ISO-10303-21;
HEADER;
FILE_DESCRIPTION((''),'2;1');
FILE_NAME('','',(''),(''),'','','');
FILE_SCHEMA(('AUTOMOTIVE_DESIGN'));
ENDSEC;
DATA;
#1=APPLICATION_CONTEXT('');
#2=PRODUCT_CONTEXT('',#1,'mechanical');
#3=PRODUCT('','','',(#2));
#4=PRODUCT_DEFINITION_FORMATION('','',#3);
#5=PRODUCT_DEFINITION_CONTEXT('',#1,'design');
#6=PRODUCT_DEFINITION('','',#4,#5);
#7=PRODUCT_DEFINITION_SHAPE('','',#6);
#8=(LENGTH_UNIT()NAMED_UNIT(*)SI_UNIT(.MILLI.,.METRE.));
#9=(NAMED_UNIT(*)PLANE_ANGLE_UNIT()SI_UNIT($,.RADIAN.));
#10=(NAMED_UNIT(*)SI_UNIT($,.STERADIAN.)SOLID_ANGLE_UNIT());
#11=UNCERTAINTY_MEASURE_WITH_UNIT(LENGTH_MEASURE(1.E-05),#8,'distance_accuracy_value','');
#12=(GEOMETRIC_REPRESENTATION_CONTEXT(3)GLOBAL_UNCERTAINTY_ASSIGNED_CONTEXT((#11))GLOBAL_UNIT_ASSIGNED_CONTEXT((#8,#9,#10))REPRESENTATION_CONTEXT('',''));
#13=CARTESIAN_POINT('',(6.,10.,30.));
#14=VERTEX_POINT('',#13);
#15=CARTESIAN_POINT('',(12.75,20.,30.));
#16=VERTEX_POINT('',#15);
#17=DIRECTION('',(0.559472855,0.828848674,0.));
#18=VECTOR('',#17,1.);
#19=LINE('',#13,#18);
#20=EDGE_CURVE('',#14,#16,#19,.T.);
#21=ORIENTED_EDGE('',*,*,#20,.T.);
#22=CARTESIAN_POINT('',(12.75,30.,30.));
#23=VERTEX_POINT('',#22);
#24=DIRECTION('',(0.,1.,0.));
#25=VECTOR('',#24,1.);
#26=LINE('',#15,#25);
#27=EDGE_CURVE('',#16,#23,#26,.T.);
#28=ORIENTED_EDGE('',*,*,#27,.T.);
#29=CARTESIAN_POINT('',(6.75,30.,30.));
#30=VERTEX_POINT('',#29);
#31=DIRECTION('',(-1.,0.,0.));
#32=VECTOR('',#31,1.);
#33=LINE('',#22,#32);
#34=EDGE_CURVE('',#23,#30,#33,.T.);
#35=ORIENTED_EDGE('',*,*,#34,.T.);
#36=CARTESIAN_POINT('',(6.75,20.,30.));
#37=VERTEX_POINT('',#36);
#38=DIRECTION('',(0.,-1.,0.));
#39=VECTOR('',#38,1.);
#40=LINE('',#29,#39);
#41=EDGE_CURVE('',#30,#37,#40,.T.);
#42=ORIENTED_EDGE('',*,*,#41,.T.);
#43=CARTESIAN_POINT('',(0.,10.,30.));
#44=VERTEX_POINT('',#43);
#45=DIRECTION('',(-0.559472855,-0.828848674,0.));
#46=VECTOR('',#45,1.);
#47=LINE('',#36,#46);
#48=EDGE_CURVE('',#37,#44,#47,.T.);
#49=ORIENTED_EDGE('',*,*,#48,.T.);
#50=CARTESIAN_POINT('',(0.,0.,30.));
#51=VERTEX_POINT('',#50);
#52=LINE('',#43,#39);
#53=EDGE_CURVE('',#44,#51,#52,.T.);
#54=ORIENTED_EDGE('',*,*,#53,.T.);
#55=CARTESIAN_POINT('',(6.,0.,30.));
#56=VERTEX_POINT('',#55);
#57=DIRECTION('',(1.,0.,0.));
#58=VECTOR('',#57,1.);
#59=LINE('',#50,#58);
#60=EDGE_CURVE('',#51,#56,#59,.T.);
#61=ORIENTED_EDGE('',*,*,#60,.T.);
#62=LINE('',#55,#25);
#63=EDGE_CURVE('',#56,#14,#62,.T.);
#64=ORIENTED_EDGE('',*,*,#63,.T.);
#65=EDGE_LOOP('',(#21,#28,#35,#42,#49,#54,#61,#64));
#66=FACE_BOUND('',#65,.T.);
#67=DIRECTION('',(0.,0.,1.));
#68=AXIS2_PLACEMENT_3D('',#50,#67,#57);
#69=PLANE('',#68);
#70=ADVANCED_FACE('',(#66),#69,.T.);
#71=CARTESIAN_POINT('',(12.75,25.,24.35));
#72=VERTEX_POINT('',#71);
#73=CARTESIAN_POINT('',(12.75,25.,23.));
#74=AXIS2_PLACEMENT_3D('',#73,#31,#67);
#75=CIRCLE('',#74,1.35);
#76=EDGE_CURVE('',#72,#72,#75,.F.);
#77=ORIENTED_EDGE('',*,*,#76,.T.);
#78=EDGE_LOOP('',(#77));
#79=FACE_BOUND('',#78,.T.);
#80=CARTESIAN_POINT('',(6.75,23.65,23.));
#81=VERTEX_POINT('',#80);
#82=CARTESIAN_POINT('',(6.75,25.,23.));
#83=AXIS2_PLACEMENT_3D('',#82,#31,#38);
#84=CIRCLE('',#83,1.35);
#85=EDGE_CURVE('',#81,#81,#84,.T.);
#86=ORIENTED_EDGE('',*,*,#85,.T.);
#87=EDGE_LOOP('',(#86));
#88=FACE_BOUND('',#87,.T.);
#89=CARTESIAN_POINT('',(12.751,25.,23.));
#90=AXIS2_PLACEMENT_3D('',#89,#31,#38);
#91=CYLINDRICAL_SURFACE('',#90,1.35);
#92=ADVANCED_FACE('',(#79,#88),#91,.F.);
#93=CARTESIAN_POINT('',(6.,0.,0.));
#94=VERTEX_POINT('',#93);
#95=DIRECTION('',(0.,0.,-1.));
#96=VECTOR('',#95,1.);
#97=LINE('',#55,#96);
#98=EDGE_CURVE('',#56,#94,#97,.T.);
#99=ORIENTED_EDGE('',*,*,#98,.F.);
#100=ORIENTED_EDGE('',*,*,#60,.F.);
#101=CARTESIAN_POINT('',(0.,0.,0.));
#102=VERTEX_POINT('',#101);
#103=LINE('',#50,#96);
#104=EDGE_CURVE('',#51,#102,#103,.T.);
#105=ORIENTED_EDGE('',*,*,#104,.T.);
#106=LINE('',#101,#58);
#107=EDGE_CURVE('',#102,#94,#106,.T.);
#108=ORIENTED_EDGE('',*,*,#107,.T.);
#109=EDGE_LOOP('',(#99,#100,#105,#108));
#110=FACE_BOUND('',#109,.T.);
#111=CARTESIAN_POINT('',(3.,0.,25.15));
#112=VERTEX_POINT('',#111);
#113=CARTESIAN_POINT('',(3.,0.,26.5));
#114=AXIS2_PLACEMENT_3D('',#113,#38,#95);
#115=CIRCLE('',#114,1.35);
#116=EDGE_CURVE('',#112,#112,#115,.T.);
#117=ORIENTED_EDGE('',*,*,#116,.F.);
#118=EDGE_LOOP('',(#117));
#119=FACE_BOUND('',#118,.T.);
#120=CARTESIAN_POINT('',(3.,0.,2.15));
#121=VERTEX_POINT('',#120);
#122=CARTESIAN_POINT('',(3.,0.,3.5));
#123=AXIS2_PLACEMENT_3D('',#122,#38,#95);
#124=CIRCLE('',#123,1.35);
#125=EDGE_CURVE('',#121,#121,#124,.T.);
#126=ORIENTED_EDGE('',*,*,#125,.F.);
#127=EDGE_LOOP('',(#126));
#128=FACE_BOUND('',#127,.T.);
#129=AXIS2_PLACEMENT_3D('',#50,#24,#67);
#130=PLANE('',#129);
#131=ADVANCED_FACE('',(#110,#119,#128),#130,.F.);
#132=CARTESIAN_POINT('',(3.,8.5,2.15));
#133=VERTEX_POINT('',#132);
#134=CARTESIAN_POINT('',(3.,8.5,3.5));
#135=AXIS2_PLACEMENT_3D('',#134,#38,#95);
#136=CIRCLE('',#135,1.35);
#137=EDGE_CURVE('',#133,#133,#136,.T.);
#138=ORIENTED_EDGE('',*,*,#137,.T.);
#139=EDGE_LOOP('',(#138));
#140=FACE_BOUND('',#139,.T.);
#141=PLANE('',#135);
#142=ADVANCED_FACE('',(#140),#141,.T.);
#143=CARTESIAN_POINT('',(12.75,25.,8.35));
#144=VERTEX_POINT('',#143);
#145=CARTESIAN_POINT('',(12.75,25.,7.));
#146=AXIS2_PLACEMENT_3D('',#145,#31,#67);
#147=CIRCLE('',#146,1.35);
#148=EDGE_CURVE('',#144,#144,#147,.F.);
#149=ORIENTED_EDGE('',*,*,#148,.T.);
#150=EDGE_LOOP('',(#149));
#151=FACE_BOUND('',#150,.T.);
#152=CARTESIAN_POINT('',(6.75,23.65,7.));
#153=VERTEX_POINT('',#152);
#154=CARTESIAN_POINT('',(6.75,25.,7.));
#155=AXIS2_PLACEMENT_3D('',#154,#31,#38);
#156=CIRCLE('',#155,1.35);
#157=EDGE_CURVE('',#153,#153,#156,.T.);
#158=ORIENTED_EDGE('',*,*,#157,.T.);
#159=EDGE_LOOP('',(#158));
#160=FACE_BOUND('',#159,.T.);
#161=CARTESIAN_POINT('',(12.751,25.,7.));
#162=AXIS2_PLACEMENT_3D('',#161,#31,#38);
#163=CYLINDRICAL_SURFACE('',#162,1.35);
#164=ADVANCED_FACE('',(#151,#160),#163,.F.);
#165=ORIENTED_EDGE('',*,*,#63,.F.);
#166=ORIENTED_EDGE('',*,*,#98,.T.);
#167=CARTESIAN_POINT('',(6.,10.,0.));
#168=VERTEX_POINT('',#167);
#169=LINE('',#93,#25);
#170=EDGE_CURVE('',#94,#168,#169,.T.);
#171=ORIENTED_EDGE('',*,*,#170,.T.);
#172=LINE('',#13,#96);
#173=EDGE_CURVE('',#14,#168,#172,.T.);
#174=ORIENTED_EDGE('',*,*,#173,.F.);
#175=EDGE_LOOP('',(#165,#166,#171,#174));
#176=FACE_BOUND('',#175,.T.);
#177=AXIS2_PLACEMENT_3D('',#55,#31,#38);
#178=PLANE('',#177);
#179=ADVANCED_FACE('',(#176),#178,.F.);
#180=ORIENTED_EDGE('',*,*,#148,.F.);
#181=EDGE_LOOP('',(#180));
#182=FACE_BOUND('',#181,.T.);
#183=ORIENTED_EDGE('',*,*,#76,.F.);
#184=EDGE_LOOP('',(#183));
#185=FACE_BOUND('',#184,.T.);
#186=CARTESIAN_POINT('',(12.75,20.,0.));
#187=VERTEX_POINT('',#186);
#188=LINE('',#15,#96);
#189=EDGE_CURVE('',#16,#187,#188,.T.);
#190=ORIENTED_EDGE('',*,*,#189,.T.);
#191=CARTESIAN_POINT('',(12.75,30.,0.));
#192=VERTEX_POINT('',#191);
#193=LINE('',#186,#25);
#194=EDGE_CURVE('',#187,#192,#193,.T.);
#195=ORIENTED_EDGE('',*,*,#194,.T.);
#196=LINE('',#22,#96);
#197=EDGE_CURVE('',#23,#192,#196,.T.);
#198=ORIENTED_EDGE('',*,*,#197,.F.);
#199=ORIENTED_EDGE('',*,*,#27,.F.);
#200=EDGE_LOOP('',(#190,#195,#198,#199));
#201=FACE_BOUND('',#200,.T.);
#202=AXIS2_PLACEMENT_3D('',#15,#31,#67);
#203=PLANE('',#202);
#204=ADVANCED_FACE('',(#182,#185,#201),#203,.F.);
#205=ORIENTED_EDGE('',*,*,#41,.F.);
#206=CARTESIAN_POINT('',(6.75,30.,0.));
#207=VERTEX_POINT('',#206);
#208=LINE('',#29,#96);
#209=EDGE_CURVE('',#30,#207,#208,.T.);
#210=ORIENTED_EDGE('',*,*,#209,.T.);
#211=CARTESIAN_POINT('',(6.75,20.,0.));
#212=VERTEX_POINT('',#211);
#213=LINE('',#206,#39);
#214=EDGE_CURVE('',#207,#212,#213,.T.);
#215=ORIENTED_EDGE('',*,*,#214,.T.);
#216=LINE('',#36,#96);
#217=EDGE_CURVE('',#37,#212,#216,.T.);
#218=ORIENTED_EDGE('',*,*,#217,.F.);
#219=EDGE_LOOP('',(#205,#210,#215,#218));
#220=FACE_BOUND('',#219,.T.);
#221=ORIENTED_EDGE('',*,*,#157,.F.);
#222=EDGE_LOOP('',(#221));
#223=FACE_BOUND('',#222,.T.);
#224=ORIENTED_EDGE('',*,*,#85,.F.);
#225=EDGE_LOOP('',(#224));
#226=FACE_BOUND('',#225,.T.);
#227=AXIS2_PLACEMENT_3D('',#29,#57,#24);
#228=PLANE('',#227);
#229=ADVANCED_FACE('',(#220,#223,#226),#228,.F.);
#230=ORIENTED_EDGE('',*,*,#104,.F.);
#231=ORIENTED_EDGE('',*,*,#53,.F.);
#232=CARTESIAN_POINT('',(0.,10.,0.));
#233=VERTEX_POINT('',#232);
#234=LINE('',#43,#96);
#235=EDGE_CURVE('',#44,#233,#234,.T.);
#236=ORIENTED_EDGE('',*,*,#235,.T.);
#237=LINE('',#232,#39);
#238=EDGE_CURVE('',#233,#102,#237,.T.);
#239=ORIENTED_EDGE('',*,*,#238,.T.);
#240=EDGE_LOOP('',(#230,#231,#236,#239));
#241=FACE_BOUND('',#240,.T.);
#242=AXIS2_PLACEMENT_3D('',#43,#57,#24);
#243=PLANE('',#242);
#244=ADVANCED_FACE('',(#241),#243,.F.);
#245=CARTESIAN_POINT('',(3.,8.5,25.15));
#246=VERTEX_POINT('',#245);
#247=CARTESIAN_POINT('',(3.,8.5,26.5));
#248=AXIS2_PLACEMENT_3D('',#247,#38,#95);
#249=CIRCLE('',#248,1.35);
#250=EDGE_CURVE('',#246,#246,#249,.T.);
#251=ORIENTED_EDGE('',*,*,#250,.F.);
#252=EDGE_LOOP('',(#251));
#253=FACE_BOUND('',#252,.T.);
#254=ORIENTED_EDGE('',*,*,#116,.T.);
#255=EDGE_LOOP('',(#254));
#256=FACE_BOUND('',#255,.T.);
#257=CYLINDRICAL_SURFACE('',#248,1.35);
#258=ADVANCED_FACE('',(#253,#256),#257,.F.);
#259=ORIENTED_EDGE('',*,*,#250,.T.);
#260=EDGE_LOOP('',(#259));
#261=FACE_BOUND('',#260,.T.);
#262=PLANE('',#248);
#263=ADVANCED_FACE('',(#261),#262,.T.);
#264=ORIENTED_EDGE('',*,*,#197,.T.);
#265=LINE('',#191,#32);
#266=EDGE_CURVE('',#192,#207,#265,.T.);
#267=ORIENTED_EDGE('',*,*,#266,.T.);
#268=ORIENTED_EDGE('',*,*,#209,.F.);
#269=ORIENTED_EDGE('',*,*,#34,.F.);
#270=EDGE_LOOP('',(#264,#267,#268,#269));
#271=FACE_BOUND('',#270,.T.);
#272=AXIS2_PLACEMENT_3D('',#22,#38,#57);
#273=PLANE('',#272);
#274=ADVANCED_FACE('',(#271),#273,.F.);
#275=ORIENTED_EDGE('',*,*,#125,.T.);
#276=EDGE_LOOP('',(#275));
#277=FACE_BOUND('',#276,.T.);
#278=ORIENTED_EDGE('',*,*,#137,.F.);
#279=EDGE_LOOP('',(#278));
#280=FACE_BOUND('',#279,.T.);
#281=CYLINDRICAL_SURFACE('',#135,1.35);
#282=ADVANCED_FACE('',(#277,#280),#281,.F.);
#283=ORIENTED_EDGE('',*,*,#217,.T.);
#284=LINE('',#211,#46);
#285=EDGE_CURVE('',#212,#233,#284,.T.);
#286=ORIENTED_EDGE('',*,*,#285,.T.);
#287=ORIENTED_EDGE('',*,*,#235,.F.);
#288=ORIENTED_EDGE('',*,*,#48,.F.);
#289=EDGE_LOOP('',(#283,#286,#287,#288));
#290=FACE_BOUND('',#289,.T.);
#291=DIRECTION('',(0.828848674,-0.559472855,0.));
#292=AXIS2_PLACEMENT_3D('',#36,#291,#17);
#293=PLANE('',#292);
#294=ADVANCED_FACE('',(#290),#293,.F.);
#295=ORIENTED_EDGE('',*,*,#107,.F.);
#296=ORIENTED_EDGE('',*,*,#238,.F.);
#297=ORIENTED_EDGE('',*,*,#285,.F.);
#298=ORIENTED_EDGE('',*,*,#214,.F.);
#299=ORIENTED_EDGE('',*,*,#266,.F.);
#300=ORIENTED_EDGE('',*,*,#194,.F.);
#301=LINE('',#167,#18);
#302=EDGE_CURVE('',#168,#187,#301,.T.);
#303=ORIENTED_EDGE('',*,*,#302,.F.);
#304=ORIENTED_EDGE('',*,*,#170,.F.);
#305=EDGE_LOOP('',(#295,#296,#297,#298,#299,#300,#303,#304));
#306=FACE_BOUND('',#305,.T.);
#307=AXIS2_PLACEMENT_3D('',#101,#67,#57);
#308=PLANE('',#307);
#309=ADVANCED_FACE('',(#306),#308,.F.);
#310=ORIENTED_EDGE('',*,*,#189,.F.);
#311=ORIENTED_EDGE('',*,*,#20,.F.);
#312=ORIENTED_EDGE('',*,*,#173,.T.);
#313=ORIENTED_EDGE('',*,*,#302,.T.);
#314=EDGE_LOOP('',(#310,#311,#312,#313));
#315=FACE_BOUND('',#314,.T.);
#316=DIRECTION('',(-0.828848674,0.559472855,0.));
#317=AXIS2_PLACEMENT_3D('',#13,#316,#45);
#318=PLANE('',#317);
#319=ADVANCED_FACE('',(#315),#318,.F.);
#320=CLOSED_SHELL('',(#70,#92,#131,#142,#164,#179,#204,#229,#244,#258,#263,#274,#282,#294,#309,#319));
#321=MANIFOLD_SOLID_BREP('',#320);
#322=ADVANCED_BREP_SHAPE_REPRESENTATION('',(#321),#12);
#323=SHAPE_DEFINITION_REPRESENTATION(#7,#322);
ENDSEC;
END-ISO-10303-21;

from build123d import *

# Parameters (mm, degrees)
BOSS_EXTRUDE1_DEPTH = 30
SKETCH2_R           = 1.35
CUT_EXTRUDE1_DEPTH  = 8.5
CUT_EXTRUDE2_REACH  = 44.96
SKETCH3_R           = 1.35


with BuildPart() as part:
    # Sketch1 → Boss-Extrude1 (new body)
    with BuildSketch(Plane.XY):
        Polygon((0, 0), (6, 0), (6, 10), (12.75, 20), (12.75, 30), (6.75, 30), (6.75, 20), (0, 10), align=None)
    extrude(amount=BOSS_EXTRUDE1_DEPTH)

    # Sketch2 → Cut-Extrude1 (cut)
    with BuildSketch(Plane.XZ):
        with Locations(Location((3, 26.5, 0), (0, 0, 270))):
            Circle(SKETCH2_R)
        with Locations(Location((3, 3.5, 0), (0, 0, 270))):
            Circle(SKETCH2_R)
    extrude(amount=-CUT_EXTRUDE1_DEPTH, mode=Mode.SUBTRACT)

    # Sketch3 → Cut-Extrude2 (cut, up to next)
    with BuildSketch(Plane.ZY.offset(-6.75), mode=Mode.PRIVATE) as cut_extrude2_sk1:
        with Locations(Location((7, 25, 0), (0, 0, 270))):
            Circle(SKETCH3_R)
    cut_extrude2_tool1 = extrude(cut_extrude2_sk1.sketch, amount=-CUT_EXTRUDE2_REACH, mode=Mode.PRIVATE) & part.part
    # Sketch3 → Cut-Extrude2 (cut, up to next)
    with BuildSketch(Plane.ZY.offset(-6.75), mode=Mode.PRIVATE) as cut_extrude2_sk2:
        with Locations(Location((23, 25, 0), (0, 0, 270))):
            Circle(SKETCH3_R)
    cut_extrude2_tool2 = extrude(cut_extrude2_sk2.sketch, amount=-CUT_EXTRUDE2_REACH, mode=Mode.PRIVATE) & part.part
    add(cut_extrude2_tool1.solids().sort_by_distance((6.75, 25, 7))[0], mode=Mode.SUBTRACT)
    add(cut_extrude2_tool2.solids().sort_by_distance((6.75, 25, 23))[0], mode=Mode.SUBTRACT)


solid = part.part
